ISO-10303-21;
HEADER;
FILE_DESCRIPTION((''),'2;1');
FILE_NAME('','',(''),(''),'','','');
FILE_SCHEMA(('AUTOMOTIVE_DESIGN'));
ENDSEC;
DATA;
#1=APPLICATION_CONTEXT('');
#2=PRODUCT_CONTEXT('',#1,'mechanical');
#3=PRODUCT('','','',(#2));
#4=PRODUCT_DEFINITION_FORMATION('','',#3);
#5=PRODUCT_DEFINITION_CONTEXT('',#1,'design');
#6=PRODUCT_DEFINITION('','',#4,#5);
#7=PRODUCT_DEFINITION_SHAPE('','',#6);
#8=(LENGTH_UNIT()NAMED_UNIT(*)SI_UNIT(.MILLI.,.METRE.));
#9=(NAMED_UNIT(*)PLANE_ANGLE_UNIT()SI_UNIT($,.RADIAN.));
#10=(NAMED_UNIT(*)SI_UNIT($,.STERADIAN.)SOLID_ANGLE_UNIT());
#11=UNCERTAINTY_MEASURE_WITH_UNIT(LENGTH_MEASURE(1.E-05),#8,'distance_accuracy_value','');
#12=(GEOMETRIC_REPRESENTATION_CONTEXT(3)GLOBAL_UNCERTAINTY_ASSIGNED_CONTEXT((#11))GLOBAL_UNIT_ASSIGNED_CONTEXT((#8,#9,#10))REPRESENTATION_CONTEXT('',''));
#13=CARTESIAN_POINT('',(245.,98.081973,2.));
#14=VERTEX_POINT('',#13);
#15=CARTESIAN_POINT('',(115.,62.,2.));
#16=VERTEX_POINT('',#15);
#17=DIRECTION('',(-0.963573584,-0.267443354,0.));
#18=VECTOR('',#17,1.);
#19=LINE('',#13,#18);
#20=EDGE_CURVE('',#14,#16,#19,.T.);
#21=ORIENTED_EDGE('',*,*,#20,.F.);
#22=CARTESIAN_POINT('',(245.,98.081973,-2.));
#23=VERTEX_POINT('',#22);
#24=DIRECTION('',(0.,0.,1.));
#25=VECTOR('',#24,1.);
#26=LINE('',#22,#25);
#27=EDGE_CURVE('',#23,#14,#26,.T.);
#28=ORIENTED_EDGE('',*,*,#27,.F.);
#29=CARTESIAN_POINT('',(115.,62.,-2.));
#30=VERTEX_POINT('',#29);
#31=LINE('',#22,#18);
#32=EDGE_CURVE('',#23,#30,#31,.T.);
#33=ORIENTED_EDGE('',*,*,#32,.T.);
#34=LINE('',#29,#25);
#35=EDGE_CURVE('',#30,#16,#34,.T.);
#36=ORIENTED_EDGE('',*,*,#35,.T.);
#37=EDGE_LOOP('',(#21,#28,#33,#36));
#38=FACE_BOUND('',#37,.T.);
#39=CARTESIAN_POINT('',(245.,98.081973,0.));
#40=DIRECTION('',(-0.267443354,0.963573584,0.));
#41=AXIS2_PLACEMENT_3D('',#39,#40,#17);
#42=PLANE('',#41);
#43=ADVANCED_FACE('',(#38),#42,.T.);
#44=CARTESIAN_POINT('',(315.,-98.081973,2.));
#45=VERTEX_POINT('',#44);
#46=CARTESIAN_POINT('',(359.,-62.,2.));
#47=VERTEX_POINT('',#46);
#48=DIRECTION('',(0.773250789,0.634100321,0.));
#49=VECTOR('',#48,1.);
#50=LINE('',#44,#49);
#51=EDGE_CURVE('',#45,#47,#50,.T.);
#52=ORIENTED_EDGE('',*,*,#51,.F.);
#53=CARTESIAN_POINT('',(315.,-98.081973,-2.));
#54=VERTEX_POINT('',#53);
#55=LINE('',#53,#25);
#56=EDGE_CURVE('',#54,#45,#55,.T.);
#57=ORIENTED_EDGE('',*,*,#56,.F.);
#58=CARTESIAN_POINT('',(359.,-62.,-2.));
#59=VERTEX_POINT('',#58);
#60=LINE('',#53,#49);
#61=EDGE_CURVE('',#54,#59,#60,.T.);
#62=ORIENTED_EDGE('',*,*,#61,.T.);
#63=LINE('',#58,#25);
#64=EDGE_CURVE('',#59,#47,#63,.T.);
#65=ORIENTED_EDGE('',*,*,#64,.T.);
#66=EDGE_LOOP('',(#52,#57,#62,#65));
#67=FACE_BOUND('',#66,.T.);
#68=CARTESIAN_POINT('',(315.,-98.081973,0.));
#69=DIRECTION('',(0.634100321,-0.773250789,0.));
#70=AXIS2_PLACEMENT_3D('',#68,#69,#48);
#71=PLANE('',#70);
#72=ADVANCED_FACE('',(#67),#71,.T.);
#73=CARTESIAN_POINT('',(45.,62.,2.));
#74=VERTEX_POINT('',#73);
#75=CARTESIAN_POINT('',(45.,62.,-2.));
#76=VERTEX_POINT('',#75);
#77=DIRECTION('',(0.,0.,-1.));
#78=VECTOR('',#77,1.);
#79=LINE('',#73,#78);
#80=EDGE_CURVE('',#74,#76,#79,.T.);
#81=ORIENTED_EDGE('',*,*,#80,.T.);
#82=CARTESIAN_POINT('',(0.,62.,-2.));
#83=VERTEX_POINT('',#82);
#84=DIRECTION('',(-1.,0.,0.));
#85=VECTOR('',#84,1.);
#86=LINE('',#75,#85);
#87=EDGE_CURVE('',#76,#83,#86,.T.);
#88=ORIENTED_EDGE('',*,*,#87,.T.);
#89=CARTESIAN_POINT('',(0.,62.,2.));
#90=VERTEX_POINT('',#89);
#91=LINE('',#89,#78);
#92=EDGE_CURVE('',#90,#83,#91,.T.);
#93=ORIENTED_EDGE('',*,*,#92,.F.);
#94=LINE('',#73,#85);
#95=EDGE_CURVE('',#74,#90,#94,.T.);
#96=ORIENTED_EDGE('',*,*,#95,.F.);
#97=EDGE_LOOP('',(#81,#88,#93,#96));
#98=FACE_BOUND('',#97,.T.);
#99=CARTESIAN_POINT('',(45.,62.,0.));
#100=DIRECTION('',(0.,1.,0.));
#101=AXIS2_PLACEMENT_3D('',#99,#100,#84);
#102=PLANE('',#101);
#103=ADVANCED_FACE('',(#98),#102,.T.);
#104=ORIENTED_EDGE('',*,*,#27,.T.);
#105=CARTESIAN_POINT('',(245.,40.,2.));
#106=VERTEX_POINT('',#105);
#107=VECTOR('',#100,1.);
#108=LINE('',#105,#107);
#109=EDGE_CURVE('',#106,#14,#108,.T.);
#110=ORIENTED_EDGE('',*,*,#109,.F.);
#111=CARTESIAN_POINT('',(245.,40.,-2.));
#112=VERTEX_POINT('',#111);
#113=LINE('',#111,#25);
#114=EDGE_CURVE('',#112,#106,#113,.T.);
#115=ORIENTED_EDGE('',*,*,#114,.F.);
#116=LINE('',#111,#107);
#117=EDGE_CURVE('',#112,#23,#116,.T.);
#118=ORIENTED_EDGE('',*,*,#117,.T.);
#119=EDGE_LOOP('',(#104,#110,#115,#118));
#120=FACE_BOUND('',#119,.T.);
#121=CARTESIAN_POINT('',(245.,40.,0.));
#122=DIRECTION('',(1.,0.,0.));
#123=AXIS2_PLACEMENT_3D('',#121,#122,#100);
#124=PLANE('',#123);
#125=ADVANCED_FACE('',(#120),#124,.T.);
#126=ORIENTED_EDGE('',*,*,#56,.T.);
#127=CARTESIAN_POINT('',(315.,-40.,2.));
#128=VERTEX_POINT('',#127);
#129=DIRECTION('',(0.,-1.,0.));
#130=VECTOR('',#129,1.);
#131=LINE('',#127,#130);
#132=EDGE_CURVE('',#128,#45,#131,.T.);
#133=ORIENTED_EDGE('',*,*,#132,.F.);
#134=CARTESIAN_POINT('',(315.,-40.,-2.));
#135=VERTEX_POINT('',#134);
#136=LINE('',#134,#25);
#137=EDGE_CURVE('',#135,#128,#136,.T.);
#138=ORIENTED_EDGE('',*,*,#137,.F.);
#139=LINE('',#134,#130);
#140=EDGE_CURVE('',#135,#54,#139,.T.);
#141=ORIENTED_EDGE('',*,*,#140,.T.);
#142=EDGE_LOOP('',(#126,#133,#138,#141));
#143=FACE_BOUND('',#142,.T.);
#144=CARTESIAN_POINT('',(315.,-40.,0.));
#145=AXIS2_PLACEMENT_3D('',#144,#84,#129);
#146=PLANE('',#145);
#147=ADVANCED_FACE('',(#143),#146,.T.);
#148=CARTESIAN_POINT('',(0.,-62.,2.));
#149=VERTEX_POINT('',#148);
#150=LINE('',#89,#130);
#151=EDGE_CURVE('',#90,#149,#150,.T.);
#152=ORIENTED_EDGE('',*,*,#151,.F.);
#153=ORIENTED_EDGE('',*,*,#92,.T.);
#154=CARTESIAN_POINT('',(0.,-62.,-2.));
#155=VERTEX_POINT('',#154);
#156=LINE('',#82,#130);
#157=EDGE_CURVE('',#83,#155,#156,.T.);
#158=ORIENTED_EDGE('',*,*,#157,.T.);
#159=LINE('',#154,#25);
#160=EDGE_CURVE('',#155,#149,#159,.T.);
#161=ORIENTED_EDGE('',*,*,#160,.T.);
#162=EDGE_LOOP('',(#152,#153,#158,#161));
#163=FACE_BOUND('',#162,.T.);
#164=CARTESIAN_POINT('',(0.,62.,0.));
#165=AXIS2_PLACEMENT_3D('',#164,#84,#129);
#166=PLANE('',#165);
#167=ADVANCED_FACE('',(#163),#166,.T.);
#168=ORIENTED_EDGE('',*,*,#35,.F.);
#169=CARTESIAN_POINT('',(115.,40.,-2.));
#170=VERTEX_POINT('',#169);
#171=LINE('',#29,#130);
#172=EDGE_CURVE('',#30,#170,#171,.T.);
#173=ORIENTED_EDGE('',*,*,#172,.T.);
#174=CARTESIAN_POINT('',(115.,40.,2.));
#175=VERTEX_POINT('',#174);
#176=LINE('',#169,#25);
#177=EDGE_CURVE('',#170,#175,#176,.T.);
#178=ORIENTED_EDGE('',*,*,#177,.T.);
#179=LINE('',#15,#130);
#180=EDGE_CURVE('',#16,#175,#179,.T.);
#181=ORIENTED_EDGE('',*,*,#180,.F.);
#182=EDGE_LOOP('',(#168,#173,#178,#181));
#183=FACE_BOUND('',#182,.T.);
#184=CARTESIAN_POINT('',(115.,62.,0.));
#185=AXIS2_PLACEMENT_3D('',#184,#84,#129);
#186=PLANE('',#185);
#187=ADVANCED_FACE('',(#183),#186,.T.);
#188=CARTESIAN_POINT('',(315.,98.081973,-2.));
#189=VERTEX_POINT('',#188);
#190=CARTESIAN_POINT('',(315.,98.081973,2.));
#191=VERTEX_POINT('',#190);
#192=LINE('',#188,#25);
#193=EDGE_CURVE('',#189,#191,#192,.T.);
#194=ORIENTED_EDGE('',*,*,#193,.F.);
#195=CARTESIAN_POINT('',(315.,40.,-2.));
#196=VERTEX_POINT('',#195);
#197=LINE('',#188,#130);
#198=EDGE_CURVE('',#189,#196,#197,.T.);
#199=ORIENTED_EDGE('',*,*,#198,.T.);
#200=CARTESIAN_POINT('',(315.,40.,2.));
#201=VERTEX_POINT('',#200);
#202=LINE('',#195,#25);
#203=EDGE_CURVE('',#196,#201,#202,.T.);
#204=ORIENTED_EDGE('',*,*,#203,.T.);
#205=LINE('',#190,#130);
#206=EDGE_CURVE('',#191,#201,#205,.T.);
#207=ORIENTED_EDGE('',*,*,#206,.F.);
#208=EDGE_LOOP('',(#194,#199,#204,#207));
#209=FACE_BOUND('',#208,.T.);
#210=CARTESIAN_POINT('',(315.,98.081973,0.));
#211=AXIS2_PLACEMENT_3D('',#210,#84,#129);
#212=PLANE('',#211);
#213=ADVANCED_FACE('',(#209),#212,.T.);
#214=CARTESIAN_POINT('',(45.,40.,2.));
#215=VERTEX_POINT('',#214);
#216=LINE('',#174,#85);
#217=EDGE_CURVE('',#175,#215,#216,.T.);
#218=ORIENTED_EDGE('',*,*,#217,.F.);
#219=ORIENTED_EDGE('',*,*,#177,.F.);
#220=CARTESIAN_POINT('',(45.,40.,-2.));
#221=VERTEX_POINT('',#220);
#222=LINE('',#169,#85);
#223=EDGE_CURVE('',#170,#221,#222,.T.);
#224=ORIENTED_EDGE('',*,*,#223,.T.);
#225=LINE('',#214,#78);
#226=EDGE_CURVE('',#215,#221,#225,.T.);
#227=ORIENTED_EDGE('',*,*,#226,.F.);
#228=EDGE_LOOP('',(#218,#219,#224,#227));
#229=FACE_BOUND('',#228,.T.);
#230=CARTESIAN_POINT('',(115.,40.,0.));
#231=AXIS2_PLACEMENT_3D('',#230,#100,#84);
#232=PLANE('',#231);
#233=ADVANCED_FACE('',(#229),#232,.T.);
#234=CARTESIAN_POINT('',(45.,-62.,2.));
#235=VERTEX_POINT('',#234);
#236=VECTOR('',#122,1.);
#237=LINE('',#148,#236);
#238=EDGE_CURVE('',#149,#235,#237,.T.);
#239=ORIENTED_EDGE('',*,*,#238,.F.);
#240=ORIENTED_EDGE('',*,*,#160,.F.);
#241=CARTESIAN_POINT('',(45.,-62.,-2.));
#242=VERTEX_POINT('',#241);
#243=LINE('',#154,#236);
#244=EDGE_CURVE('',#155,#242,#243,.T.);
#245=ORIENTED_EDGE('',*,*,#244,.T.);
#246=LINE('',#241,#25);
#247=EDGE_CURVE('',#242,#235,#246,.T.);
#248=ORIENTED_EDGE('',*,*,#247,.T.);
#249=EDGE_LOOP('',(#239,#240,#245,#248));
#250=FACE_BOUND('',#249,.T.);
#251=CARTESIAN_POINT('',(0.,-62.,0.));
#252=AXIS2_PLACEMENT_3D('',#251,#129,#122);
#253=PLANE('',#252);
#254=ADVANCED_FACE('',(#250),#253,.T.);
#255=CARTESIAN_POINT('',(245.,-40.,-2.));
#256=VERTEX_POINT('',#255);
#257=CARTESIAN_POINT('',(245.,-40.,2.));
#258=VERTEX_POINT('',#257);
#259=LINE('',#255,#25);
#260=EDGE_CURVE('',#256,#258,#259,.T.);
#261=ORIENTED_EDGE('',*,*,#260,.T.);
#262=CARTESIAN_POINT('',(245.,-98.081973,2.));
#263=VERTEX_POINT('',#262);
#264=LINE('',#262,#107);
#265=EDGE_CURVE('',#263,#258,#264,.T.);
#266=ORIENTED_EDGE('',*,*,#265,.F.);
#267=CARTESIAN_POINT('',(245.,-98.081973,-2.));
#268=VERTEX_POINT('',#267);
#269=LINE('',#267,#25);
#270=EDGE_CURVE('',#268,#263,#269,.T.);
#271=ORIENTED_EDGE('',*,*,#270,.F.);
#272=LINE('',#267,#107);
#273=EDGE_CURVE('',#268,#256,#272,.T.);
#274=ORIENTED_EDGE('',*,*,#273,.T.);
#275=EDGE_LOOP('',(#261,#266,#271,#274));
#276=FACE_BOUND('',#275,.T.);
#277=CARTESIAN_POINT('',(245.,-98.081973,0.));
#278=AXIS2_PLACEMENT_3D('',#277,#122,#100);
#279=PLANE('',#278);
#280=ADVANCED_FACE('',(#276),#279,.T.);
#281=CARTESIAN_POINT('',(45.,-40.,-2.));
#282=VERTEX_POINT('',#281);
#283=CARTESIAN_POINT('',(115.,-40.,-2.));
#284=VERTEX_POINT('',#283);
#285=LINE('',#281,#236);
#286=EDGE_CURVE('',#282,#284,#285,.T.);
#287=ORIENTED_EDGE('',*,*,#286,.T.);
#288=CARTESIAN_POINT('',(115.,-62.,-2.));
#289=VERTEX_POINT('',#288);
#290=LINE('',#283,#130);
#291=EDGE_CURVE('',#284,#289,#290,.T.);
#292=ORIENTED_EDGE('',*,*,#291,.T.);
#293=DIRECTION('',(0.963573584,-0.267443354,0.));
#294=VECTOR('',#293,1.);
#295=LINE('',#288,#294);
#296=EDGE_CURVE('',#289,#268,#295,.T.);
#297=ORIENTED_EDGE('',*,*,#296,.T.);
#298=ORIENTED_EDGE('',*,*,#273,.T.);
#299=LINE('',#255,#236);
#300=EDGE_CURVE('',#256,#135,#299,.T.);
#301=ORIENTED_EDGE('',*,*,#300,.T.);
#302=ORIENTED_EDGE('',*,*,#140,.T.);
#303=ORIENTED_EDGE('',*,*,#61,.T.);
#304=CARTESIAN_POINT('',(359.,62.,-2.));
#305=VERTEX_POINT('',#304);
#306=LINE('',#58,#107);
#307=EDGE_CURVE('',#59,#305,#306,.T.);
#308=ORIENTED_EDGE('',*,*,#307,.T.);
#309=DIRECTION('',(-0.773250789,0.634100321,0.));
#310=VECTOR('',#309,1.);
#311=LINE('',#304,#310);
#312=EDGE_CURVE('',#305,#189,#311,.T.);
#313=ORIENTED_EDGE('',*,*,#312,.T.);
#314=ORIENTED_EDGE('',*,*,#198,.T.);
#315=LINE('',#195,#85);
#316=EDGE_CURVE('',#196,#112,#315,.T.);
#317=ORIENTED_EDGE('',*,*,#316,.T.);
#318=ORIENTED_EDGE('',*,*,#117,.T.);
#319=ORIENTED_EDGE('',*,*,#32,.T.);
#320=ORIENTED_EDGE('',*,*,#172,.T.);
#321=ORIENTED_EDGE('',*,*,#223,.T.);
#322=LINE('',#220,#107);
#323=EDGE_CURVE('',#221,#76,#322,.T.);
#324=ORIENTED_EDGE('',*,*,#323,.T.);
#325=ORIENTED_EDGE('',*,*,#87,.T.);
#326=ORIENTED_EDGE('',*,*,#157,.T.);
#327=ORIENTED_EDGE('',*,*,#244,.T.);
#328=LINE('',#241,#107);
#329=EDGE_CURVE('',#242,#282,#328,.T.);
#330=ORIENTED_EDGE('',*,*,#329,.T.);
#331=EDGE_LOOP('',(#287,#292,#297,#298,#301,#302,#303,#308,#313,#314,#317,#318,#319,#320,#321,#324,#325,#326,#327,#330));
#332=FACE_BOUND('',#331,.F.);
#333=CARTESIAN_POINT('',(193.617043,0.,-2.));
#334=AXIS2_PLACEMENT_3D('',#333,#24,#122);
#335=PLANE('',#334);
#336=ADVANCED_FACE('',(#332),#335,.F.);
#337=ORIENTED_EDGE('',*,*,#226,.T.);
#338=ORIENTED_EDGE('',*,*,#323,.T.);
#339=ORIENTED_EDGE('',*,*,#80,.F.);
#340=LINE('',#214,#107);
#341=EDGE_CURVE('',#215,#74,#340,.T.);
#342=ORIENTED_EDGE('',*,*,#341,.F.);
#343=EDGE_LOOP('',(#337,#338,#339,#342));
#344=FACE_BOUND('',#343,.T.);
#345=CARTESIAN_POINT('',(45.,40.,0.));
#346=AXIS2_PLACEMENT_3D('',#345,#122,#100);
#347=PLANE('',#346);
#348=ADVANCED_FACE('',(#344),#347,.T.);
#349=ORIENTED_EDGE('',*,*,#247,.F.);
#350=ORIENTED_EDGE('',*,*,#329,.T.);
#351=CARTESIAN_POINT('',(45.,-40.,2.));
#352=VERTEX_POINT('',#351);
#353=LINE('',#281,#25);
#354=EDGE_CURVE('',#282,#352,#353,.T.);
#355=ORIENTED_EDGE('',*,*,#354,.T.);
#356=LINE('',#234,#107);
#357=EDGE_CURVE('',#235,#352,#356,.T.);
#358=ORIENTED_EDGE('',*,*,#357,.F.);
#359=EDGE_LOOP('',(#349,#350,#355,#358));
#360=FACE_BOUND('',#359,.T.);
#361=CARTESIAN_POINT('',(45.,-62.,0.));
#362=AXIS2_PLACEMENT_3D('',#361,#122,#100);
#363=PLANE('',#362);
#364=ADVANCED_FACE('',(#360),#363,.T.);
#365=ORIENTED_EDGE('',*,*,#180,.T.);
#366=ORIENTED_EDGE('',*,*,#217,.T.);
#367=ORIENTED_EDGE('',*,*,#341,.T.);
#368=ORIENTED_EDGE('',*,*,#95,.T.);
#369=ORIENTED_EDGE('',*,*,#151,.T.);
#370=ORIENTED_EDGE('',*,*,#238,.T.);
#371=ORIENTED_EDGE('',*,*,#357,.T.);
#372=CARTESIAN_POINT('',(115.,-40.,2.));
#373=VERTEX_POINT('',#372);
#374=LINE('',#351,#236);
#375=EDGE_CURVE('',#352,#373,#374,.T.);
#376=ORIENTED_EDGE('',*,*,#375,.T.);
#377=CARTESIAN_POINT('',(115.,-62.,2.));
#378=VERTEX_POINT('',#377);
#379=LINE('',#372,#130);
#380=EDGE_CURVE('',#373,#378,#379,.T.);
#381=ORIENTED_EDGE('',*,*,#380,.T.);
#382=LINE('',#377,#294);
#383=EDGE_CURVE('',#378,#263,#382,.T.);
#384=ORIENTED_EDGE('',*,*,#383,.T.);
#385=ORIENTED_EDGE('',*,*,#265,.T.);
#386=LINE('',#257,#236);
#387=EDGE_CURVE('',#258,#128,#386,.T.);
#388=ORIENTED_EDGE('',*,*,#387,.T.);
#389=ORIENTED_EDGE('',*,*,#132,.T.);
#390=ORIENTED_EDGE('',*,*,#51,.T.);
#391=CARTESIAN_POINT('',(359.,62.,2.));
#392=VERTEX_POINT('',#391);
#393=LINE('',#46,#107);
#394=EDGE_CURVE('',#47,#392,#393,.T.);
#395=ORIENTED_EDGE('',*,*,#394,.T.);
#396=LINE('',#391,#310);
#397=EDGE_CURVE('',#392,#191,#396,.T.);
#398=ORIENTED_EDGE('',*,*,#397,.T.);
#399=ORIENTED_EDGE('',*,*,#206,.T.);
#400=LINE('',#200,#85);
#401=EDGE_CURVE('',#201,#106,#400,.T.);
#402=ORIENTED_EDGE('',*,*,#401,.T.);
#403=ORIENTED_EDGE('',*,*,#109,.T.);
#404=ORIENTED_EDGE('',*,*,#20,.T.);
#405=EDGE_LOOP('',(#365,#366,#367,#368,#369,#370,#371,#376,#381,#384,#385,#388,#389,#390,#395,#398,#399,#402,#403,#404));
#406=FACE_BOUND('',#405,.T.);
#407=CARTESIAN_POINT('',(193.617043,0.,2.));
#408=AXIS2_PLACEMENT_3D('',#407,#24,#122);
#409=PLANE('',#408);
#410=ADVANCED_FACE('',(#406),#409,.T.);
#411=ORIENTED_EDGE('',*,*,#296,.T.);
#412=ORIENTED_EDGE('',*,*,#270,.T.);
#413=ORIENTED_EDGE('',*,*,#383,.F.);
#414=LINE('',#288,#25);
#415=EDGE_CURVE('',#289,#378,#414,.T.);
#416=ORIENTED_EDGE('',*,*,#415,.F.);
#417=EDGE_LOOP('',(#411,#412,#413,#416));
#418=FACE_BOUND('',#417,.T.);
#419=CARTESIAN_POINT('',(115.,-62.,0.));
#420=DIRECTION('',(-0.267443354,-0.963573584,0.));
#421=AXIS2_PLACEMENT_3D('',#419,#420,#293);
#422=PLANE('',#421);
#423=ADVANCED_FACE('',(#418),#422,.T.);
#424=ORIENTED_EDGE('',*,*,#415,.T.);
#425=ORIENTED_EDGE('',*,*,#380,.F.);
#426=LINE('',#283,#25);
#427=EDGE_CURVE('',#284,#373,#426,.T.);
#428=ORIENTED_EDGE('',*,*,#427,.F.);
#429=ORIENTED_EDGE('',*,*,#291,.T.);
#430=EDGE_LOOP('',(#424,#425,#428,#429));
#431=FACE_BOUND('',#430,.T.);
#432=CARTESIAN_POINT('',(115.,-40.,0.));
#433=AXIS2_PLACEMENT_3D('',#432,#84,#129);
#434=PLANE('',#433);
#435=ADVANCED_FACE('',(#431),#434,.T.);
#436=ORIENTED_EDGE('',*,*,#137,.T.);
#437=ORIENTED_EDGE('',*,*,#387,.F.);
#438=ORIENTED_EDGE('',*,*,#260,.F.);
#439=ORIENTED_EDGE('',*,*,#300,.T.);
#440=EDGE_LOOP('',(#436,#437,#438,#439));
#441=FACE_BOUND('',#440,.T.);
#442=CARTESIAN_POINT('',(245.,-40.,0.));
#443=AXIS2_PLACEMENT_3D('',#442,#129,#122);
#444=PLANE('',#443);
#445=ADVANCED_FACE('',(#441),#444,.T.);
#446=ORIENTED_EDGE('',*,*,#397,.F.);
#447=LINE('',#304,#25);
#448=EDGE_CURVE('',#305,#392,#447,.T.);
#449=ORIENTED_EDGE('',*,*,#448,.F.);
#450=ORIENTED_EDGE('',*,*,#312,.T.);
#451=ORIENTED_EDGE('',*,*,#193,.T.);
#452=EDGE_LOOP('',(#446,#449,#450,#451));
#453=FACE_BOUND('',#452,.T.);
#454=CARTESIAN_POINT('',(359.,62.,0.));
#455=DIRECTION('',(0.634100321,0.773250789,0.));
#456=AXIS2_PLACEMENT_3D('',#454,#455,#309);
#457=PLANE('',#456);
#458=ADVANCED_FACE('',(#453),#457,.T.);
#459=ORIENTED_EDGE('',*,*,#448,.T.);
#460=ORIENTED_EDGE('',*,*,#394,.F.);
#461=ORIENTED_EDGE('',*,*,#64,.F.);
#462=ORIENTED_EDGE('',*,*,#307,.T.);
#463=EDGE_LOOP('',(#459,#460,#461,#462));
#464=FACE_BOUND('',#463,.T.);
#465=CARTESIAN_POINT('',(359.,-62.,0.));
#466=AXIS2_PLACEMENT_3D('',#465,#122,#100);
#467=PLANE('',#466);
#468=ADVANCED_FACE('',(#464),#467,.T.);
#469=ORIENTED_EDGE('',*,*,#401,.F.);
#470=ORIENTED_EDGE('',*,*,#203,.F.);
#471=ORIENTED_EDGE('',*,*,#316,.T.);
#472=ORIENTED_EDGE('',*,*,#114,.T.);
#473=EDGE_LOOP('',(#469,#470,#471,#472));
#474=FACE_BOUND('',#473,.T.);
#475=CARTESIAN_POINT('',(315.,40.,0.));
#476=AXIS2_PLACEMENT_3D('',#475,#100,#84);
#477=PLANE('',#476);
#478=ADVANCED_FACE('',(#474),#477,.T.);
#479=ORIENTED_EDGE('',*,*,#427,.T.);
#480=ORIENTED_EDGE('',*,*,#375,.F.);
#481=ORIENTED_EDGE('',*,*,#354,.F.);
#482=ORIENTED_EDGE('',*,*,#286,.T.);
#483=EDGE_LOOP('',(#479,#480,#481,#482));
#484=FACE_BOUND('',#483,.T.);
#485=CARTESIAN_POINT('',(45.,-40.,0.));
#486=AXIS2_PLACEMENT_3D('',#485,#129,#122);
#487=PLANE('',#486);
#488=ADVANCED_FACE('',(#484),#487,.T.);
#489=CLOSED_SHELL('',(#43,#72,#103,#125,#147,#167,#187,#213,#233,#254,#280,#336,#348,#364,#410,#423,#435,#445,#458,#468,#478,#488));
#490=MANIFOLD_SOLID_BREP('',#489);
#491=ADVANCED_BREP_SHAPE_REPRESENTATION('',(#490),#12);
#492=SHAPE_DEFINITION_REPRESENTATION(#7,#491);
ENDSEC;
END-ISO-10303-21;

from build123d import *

# Parameters (mm, degrees)
F1_DEPTH = 2


with BuildPart() as f1:
    # F0 (on Top) → F1 (new body, symmetric)
    with BuildSketch(Plane.XY):
        Polygon((0, 62), (0, 0), (0, -62), (45, -62), (45, -40), (115, -40), (115, -62), (245, -98.081973), (245, -40), (315, -40), (315, -98.081973), (359, -62), (359, 0), (359, 62), (315, 98.081973), (315, 40), (245, 40), (245, 98.081973), (115, 62), (115, 40), (45, 40), (45, 62), align=None)
    extrude(amount=F1_DEPTH, both=True)


solid = f1.part
